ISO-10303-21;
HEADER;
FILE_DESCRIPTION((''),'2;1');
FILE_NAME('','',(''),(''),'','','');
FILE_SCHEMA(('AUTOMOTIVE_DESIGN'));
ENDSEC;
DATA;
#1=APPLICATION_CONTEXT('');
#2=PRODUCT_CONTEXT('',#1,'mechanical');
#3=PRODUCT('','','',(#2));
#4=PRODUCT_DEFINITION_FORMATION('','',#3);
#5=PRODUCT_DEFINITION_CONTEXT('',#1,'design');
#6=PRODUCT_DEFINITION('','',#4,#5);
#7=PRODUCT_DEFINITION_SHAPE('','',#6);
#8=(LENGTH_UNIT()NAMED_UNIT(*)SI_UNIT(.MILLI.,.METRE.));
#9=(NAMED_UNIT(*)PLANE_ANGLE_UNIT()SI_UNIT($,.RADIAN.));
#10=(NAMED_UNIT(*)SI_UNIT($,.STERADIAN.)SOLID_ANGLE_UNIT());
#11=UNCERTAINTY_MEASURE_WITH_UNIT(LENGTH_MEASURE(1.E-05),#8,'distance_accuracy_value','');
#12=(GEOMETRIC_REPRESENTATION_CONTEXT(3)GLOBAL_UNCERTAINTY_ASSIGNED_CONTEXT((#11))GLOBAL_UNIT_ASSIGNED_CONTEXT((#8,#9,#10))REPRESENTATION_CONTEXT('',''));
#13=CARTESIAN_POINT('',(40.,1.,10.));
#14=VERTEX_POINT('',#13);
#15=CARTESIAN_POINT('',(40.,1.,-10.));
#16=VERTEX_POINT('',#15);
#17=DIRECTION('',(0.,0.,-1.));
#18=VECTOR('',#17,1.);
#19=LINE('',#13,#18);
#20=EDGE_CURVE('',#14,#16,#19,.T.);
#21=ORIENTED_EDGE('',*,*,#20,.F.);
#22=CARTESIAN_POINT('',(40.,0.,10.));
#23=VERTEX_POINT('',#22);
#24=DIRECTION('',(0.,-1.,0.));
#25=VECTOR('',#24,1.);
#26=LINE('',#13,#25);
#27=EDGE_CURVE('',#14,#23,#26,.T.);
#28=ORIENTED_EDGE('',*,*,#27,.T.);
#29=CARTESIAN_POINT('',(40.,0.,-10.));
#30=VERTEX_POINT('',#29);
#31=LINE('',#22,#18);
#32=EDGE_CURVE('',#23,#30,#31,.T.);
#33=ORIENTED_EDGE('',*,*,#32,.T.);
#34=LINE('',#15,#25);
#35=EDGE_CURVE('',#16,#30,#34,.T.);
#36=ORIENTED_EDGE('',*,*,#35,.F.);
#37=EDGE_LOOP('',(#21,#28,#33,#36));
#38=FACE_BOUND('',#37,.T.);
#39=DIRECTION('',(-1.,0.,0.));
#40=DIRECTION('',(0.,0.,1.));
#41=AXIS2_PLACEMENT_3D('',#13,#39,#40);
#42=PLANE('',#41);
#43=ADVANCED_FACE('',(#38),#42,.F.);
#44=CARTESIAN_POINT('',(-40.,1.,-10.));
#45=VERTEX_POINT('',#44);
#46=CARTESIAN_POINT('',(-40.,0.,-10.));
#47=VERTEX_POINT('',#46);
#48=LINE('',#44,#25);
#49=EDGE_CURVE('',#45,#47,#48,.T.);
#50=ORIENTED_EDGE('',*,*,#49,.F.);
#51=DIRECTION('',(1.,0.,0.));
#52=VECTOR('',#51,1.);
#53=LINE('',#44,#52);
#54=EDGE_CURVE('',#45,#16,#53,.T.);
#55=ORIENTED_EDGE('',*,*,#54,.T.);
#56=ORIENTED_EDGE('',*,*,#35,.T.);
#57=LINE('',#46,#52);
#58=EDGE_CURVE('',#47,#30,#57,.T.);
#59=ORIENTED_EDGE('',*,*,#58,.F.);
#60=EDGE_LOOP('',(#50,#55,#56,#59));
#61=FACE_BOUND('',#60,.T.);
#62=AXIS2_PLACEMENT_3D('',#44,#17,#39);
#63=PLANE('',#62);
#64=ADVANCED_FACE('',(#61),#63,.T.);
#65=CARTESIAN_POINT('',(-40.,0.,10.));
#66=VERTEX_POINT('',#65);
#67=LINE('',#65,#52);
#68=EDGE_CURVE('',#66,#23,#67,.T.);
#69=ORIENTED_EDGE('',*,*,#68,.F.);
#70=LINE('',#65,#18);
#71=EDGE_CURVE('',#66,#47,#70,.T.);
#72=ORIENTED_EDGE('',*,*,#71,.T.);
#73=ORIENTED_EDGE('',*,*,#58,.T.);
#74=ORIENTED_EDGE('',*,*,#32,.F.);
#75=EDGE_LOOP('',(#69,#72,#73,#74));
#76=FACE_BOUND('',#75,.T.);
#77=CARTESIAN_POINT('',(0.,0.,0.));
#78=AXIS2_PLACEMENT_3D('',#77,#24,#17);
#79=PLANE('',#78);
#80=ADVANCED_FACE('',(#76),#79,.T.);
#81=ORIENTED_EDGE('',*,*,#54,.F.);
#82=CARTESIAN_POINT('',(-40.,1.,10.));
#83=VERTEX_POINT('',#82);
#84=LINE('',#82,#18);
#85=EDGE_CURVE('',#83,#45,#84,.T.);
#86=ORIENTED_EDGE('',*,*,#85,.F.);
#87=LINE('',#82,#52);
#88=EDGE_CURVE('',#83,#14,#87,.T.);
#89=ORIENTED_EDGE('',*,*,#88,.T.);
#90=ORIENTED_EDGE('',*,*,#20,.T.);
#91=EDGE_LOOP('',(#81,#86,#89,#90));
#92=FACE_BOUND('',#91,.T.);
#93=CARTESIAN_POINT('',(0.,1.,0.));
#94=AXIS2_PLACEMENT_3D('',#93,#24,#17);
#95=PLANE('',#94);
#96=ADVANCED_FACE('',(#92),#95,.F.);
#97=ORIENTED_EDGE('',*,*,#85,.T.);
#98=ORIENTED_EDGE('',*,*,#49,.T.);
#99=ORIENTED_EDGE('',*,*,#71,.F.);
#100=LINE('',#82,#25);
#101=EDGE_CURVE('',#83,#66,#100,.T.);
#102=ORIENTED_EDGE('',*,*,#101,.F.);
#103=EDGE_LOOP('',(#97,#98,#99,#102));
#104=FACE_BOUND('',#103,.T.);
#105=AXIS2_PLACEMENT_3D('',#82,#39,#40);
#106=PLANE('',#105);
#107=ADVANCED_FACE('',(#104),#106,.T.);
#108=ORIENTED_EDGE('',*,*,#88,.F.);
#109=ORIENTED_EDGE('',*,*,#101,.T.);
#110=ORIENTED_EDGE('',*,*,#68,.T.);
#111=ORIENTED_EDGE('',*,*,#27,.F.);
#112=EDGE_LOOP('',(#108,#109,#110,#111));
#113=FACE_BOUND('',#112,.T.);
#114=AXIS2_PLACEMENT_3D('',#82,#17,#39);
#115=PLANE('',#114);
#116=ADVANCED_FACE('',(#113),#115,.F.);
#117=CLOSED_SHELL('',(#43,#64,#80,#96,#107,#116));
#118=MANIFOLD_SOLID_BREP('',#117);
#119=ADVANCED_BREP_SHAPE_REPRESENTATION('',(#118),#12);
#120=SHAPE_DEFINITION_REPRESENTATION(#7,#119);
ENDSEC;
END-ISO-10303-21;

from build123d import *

# Parameters (mm, degrees)
SKETCH1_W           = 80
SKETCH1_H           = 20
BOSS_EXTRUDE1_DEPTH = 1


with BuildPart() as part:
    # Sketch1 → Boss-Extrude1 (new body)
    with BuildSketch(Plane(origin=(0, 0, 0), x_dir=(1, 0, 0), z_dir=(0, 1, 0))):
        Rectangle(SKETCH1_W, SKETCH1_H)
    extrude(amount=BOSS_EXTRUDE1_DEPTH)


solid = part.part
